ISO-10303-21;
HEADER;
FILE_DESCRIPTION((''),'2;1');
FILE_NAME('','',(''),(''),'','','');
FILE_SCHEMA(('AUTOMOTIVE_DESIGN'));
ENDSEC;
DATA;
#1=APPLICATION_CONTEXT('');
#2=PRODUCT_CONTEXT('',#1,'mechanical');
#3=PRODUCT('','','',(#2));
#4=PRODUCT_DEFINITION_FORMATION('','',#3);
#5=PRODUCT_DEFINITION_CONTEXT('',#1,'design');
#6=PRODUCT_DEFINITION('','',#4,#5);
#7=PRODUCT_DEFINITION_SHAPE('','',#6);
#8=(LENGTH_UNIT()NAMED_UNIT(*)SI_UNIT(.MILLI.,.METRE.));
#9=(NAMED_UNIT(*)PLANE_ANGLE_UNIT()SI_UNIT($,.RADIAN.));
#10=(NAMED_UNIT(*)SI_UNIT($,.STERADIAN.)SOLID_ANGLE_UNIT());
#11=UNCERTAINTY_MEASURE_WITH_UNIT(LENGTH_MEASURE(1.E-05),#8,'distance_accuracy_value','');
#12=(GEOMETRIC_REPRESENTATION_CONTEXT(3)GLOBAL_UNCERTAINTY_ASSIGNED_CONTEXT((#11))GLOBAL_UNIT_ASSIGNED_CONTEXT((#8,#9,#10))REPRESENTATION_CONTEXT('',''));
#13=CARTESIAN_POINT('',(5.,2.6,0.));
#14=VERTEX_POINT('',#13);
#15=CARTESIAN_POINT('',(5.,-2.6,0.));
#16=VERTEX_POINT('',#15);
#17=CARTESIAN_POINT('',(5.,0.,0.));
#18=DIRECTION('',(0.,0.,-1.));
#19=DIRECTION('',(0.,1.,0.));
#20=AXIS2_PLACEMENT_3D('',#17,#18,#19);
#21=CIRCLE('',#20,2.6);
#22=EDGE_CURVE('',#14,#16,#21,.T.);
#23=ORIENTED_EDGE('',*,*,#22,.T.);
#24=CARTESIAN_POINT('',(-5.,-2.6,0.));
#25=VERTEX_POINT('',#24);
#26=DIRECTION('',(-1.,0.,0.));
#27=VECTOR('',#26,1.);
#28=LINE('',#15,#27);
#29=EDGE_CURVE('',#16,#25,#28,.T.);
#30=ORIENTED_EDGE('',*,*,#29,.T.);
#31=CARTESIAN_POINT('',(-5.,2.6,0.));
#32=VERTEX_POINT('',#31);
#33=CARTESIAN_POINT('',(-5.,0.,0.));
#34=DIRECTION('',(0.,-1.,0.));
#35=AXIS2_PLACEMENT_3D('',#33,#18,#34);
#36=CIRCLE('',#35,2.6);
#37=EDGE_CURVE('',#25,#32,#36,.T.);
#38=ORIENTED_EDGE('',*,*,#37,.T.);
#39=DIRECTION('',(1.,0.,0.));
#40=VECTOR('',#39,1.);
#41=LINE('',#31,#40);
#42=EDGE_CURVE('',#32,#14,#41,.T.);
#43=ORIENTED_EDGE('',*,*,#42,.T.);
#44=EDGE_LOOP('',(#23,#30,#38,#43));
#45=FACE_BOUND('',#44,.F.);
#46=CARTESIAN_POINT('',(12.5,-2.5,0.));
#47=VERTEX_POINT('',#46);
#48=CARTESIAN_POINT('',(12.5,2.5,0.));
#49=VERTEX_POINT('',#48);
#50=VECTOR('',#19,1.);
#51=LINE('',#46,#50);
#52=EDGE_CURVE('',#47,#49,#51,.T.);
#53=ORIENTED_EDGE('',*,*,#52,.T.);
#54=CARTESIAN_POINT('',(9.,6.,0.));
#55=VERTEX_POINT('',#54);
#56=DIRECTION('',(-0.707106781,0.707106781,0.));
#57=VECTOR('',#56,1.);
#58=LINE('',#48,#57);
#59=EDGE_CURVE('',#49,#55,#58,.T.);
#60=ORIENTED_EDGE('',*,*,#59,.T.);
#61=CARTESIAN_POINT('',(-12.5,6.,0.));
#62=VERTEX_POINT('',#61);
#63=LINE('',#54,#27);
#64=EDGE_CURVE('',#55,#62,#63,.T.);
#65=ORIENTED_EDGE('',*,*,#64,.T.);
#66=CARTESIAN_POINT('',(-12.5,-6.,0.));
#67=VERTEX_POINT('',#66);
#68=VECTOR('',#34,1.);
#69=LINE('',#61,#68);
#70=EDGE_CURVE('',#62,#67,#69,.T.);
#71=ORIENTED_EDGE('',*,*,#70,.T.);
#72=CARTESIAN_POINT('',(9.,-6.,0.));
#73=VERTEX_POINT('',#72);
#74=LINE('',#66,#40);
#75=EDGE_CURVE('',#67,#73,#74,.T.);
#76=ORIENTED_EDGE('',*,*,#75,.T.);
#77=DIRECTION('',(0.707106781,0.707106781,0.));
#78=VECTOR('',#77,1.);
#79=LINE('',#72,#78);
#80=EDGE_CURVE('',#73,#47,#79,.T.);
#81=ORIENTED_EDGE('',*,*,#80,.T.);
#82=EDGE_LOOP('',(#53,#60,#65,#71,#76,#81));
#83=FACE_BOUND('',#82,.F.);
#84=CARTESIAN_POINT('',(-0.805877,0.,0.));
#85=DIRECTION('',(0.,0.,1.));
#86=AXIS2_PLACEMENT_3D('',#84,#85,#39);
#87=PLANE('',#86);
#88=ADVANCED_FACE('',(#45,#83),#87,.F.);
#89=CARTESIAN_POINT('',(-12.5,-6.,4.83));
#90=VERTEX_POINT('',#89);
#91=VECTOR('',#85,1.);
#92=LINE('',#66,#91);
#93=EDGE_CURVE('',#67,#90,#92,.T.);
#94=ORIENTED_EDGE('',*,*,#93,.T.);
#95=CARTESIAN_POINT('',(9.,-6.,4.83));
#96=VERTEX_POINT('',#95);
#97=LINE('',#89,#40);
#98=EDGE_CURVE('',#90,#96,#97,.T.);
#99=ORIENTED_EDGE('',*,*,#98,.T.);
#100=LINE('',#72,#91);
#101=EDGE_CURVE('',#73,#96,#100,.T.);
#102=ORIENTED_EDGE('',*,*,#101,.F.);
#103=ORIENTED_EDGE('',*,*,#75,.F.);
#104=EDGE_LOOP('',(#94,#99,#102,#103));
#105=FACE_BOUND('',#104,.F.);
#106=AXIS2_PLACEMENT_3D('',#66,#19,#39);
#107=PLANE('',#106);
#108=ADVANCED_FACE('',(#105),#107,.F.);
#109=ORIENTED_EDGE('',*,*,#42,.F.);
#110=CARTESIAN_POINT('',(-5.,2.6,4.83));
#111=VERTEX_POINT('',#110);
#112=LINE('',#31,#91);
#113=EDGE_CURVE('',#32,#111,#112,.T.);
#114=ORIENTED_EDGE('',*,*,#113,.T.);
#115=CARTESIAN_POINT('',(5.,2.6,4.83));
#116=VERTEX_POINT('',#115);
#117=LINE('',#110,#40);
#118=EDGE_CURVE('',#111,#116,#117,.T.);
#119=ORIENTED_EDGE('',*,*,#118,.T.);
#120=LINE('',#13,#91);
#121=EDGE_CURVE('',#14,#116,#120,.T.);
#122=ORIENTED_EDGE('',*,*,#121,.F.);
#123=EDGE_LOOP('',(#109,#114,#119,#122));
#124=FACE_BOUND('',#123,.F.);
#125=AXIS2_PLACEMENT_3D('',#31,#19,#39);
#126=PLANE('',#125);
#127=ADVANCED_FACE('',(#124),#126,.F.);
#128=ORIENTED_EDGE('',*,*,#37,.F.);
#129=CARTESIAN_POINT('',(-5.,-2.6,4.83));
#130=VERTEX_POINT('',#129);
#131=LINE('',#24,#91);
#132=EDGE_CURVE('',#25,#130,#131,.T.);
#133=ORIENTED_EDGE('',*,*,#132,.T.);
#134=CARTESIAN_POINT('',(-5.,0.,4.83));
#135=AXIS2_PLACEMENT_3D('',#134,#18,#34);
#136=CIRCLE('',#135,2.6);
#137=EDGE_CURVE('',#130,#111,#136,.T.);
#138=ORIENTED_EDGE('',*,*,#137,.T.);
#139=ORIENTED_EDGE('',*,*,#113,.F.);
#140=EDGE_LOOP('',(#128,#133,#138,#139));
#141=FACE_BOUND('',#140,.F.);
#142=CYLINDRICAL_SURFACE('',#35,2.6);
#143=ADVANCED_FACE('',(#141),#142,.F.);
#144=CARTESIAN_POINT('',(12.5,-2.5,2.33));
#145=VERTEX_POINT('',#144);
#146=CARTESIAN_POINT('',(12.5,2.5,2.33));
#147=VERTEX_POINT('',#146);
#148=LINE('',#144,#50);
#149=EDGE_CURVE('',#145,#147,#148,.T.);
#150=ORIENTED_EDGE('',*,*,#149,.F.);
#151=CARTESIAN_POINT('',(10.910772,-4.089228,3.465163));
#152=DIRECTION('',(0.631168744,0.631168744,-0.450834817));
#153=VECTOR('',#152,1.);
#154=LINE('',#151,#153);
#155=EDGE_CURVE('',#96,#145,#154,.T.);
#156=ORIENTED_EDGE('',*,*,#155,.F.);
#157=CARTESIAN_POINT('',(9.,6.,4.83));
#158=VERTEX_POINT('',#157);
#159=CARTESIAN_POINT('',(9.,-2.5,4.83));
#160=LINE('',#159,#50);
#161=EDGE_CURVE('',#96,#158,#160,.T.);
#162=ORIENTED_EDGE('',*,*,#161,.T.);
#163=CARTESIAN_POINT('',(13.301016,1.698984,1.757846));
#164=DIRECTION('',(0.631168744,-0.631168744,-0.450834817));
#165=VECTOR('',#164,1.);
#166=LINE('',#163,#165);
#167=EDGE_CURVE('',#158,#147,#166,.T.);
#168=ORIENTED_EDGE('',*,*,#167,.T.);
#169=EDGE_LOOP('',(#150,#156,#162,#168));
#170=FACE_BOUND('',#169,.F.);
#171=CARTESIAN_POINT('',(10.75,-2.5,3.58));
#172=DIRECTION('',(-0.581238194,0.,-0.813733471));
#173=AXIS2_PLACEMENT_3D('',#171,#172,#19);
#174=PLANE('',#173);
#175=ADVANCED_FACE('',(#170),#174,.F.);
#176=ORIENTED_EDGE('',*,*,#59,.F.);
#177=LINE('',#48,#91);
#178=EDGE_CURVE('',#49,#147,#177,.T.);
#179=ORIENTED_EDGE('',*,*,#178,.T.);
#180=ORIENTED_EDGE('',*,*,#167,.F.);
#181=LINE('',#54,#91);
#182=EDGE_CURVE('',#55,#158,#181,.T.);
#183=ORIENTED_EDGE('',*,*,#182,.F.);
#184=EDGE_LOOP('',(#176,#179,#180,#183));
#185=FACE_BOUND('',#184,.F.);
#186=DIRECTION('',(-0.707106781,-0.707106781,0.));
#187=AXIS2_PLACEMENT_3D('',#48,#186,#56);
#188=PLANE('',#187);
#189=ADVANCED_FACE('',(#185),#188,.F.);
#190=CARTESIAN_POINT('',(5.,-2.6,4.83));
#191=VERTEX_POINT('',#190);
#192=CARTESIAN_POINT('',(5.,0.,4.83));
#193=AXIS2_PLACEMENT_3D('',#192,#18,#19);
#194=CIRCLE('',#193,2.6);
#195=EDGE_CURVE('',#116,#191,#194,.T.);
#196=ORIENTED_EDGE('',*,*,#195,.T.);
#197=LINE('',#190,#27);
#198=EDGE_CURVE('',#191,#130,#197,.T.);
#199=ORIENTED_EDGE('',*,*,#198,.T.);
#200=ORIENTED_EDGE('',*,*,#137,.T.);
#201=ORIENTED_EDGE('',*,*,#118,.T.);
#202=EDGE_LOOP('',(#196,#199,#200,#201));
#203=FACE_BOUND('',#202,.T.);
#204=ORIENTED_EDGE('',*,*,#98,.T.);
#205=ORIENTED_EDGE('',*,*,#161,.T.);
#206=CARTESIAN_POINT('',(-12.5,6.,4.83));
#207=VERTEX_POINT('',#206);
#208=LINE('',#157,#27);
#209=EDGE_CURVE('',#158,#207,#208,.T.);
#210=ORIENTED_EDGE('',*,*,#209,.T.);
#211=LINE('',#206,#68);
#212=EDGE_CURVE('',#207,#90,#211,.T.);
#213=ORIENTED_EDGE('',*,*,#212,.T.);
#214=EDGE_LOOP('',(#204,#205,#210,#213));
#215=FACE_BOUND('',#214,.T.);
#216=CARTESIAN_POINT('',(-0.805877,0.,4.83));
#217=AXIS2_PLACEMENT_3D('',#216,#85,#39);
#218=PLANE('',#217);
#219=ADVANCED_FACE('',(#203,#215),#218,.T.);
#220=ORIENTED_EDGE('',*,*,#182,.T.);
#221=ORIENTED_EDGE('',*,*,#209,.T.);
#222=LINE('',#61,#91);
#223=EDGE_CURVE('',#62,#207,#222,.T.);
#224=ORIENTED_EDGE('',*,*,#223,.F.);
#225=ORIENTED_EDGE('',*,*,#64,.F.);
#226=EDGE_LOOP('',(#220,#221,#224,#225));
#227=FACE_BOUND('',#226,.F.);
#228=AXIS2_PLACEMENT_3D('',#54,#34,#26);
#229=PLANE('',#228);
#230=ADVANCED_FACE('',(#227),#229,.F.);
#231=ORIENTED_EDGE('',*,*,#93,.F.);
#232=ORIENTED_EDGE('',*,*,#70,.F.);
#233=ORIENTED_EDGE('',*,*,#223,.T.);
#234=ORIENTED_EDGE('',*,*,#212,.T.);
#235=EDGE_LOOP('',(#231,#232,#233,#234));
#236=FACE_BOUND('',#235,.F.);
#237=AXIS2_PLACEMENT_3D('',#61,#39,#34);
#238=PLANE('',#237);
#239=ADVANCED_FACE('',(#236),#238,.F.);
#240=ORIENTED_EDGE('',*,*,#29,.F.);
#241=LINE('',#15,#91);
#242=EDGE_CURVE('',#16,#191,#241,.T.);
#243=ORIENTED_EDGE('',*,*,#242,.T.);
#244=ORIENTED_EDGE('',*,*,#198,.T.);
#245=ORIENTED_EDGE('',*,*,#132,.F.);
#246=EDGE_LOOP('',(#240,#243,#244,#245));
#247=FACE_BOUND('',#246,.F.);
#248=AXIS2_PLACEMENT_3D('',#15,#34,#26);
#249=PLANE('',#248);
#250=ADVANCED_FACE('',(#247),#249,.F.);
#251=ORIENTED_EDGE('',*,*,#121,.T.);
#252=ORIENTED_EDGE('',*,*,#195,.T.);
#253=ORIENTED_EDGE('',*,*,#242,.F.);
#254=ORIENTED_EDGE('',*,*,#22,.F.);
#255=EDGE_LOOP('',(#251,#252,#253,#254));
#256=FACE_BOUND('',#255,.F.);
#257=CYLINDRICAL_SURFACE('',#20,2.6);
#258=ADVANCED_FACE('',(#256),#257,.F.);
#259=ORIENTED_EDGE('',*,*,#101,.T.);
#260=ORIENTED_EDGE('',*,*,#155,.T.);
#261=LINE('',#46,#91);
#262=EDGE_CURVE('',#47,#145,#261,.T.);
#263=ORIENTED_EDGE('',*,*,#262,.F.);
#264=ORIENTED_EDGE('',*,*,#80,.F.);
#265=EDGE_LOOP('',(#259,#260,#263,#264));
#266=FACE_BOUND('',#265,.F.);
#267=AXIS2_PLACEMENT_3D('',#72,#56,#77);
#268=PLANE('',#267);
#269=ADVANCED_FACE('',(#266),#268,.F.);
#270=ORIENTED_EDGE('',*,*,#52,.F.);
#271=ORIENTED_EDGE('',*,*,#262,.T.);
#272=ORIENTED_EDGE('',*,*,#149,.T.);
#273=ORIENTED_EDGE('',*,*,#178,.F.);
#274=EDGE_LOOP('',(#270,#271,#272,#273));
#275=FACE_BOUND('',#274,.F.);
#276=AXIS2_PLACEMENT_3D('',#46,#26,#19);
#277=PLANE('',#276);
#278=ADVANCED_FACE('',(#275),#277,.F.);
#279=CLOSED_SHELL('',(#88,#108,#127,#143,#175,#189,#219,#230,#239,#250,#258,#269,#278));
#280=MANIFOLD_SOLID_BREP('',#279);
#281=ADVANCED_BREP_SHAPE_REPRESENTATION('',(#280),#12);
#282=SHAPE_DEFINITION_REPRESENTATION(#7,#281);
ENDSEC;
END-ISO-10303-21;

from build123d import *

# Parameters (mm, degrees)
F1_DEPTH = 4.83
F2_SIZE2 = 2.5
F2_SIZE  = 3.5


with BuildPart() as f1:
    # F0 (on Top) → F1 (new body)
    with BuildSketch(Plane.XY):
        Polygon((-12.5, -6), (9, -6), (12.5, -2.5), (12.5, 2.5), (9, 6), (-12.5, 6), align=None)
        with BuildLine():
            Line((5, -2.6), (-5, -2.6))
            ThreePointArc((-5, -2.6), (-7.6, 0), (-5, 2.6))
            Line((-5, 2.6), (5, 2.6))
            ThreePointArc((5, 2.6), (7.6, 0), (5, -2.6))
        make_face(mode=Mode.SUBTRACT)
    extrude(amount=F1_DEPTH)

    # F2
    f2_edges = [f1.edges().sort_by_distance(p)[0] for p in [
        (12.5, 0, 4.83),
    ]]
    f2_side = f1.faces().sort_by_distance((-1.75, -5.722692, 4.83))[0]
    chamfer(f2_edges, length=F2_SIZE, length2=F2_SIZE2, reference=f2_side)


solid = f1.part
